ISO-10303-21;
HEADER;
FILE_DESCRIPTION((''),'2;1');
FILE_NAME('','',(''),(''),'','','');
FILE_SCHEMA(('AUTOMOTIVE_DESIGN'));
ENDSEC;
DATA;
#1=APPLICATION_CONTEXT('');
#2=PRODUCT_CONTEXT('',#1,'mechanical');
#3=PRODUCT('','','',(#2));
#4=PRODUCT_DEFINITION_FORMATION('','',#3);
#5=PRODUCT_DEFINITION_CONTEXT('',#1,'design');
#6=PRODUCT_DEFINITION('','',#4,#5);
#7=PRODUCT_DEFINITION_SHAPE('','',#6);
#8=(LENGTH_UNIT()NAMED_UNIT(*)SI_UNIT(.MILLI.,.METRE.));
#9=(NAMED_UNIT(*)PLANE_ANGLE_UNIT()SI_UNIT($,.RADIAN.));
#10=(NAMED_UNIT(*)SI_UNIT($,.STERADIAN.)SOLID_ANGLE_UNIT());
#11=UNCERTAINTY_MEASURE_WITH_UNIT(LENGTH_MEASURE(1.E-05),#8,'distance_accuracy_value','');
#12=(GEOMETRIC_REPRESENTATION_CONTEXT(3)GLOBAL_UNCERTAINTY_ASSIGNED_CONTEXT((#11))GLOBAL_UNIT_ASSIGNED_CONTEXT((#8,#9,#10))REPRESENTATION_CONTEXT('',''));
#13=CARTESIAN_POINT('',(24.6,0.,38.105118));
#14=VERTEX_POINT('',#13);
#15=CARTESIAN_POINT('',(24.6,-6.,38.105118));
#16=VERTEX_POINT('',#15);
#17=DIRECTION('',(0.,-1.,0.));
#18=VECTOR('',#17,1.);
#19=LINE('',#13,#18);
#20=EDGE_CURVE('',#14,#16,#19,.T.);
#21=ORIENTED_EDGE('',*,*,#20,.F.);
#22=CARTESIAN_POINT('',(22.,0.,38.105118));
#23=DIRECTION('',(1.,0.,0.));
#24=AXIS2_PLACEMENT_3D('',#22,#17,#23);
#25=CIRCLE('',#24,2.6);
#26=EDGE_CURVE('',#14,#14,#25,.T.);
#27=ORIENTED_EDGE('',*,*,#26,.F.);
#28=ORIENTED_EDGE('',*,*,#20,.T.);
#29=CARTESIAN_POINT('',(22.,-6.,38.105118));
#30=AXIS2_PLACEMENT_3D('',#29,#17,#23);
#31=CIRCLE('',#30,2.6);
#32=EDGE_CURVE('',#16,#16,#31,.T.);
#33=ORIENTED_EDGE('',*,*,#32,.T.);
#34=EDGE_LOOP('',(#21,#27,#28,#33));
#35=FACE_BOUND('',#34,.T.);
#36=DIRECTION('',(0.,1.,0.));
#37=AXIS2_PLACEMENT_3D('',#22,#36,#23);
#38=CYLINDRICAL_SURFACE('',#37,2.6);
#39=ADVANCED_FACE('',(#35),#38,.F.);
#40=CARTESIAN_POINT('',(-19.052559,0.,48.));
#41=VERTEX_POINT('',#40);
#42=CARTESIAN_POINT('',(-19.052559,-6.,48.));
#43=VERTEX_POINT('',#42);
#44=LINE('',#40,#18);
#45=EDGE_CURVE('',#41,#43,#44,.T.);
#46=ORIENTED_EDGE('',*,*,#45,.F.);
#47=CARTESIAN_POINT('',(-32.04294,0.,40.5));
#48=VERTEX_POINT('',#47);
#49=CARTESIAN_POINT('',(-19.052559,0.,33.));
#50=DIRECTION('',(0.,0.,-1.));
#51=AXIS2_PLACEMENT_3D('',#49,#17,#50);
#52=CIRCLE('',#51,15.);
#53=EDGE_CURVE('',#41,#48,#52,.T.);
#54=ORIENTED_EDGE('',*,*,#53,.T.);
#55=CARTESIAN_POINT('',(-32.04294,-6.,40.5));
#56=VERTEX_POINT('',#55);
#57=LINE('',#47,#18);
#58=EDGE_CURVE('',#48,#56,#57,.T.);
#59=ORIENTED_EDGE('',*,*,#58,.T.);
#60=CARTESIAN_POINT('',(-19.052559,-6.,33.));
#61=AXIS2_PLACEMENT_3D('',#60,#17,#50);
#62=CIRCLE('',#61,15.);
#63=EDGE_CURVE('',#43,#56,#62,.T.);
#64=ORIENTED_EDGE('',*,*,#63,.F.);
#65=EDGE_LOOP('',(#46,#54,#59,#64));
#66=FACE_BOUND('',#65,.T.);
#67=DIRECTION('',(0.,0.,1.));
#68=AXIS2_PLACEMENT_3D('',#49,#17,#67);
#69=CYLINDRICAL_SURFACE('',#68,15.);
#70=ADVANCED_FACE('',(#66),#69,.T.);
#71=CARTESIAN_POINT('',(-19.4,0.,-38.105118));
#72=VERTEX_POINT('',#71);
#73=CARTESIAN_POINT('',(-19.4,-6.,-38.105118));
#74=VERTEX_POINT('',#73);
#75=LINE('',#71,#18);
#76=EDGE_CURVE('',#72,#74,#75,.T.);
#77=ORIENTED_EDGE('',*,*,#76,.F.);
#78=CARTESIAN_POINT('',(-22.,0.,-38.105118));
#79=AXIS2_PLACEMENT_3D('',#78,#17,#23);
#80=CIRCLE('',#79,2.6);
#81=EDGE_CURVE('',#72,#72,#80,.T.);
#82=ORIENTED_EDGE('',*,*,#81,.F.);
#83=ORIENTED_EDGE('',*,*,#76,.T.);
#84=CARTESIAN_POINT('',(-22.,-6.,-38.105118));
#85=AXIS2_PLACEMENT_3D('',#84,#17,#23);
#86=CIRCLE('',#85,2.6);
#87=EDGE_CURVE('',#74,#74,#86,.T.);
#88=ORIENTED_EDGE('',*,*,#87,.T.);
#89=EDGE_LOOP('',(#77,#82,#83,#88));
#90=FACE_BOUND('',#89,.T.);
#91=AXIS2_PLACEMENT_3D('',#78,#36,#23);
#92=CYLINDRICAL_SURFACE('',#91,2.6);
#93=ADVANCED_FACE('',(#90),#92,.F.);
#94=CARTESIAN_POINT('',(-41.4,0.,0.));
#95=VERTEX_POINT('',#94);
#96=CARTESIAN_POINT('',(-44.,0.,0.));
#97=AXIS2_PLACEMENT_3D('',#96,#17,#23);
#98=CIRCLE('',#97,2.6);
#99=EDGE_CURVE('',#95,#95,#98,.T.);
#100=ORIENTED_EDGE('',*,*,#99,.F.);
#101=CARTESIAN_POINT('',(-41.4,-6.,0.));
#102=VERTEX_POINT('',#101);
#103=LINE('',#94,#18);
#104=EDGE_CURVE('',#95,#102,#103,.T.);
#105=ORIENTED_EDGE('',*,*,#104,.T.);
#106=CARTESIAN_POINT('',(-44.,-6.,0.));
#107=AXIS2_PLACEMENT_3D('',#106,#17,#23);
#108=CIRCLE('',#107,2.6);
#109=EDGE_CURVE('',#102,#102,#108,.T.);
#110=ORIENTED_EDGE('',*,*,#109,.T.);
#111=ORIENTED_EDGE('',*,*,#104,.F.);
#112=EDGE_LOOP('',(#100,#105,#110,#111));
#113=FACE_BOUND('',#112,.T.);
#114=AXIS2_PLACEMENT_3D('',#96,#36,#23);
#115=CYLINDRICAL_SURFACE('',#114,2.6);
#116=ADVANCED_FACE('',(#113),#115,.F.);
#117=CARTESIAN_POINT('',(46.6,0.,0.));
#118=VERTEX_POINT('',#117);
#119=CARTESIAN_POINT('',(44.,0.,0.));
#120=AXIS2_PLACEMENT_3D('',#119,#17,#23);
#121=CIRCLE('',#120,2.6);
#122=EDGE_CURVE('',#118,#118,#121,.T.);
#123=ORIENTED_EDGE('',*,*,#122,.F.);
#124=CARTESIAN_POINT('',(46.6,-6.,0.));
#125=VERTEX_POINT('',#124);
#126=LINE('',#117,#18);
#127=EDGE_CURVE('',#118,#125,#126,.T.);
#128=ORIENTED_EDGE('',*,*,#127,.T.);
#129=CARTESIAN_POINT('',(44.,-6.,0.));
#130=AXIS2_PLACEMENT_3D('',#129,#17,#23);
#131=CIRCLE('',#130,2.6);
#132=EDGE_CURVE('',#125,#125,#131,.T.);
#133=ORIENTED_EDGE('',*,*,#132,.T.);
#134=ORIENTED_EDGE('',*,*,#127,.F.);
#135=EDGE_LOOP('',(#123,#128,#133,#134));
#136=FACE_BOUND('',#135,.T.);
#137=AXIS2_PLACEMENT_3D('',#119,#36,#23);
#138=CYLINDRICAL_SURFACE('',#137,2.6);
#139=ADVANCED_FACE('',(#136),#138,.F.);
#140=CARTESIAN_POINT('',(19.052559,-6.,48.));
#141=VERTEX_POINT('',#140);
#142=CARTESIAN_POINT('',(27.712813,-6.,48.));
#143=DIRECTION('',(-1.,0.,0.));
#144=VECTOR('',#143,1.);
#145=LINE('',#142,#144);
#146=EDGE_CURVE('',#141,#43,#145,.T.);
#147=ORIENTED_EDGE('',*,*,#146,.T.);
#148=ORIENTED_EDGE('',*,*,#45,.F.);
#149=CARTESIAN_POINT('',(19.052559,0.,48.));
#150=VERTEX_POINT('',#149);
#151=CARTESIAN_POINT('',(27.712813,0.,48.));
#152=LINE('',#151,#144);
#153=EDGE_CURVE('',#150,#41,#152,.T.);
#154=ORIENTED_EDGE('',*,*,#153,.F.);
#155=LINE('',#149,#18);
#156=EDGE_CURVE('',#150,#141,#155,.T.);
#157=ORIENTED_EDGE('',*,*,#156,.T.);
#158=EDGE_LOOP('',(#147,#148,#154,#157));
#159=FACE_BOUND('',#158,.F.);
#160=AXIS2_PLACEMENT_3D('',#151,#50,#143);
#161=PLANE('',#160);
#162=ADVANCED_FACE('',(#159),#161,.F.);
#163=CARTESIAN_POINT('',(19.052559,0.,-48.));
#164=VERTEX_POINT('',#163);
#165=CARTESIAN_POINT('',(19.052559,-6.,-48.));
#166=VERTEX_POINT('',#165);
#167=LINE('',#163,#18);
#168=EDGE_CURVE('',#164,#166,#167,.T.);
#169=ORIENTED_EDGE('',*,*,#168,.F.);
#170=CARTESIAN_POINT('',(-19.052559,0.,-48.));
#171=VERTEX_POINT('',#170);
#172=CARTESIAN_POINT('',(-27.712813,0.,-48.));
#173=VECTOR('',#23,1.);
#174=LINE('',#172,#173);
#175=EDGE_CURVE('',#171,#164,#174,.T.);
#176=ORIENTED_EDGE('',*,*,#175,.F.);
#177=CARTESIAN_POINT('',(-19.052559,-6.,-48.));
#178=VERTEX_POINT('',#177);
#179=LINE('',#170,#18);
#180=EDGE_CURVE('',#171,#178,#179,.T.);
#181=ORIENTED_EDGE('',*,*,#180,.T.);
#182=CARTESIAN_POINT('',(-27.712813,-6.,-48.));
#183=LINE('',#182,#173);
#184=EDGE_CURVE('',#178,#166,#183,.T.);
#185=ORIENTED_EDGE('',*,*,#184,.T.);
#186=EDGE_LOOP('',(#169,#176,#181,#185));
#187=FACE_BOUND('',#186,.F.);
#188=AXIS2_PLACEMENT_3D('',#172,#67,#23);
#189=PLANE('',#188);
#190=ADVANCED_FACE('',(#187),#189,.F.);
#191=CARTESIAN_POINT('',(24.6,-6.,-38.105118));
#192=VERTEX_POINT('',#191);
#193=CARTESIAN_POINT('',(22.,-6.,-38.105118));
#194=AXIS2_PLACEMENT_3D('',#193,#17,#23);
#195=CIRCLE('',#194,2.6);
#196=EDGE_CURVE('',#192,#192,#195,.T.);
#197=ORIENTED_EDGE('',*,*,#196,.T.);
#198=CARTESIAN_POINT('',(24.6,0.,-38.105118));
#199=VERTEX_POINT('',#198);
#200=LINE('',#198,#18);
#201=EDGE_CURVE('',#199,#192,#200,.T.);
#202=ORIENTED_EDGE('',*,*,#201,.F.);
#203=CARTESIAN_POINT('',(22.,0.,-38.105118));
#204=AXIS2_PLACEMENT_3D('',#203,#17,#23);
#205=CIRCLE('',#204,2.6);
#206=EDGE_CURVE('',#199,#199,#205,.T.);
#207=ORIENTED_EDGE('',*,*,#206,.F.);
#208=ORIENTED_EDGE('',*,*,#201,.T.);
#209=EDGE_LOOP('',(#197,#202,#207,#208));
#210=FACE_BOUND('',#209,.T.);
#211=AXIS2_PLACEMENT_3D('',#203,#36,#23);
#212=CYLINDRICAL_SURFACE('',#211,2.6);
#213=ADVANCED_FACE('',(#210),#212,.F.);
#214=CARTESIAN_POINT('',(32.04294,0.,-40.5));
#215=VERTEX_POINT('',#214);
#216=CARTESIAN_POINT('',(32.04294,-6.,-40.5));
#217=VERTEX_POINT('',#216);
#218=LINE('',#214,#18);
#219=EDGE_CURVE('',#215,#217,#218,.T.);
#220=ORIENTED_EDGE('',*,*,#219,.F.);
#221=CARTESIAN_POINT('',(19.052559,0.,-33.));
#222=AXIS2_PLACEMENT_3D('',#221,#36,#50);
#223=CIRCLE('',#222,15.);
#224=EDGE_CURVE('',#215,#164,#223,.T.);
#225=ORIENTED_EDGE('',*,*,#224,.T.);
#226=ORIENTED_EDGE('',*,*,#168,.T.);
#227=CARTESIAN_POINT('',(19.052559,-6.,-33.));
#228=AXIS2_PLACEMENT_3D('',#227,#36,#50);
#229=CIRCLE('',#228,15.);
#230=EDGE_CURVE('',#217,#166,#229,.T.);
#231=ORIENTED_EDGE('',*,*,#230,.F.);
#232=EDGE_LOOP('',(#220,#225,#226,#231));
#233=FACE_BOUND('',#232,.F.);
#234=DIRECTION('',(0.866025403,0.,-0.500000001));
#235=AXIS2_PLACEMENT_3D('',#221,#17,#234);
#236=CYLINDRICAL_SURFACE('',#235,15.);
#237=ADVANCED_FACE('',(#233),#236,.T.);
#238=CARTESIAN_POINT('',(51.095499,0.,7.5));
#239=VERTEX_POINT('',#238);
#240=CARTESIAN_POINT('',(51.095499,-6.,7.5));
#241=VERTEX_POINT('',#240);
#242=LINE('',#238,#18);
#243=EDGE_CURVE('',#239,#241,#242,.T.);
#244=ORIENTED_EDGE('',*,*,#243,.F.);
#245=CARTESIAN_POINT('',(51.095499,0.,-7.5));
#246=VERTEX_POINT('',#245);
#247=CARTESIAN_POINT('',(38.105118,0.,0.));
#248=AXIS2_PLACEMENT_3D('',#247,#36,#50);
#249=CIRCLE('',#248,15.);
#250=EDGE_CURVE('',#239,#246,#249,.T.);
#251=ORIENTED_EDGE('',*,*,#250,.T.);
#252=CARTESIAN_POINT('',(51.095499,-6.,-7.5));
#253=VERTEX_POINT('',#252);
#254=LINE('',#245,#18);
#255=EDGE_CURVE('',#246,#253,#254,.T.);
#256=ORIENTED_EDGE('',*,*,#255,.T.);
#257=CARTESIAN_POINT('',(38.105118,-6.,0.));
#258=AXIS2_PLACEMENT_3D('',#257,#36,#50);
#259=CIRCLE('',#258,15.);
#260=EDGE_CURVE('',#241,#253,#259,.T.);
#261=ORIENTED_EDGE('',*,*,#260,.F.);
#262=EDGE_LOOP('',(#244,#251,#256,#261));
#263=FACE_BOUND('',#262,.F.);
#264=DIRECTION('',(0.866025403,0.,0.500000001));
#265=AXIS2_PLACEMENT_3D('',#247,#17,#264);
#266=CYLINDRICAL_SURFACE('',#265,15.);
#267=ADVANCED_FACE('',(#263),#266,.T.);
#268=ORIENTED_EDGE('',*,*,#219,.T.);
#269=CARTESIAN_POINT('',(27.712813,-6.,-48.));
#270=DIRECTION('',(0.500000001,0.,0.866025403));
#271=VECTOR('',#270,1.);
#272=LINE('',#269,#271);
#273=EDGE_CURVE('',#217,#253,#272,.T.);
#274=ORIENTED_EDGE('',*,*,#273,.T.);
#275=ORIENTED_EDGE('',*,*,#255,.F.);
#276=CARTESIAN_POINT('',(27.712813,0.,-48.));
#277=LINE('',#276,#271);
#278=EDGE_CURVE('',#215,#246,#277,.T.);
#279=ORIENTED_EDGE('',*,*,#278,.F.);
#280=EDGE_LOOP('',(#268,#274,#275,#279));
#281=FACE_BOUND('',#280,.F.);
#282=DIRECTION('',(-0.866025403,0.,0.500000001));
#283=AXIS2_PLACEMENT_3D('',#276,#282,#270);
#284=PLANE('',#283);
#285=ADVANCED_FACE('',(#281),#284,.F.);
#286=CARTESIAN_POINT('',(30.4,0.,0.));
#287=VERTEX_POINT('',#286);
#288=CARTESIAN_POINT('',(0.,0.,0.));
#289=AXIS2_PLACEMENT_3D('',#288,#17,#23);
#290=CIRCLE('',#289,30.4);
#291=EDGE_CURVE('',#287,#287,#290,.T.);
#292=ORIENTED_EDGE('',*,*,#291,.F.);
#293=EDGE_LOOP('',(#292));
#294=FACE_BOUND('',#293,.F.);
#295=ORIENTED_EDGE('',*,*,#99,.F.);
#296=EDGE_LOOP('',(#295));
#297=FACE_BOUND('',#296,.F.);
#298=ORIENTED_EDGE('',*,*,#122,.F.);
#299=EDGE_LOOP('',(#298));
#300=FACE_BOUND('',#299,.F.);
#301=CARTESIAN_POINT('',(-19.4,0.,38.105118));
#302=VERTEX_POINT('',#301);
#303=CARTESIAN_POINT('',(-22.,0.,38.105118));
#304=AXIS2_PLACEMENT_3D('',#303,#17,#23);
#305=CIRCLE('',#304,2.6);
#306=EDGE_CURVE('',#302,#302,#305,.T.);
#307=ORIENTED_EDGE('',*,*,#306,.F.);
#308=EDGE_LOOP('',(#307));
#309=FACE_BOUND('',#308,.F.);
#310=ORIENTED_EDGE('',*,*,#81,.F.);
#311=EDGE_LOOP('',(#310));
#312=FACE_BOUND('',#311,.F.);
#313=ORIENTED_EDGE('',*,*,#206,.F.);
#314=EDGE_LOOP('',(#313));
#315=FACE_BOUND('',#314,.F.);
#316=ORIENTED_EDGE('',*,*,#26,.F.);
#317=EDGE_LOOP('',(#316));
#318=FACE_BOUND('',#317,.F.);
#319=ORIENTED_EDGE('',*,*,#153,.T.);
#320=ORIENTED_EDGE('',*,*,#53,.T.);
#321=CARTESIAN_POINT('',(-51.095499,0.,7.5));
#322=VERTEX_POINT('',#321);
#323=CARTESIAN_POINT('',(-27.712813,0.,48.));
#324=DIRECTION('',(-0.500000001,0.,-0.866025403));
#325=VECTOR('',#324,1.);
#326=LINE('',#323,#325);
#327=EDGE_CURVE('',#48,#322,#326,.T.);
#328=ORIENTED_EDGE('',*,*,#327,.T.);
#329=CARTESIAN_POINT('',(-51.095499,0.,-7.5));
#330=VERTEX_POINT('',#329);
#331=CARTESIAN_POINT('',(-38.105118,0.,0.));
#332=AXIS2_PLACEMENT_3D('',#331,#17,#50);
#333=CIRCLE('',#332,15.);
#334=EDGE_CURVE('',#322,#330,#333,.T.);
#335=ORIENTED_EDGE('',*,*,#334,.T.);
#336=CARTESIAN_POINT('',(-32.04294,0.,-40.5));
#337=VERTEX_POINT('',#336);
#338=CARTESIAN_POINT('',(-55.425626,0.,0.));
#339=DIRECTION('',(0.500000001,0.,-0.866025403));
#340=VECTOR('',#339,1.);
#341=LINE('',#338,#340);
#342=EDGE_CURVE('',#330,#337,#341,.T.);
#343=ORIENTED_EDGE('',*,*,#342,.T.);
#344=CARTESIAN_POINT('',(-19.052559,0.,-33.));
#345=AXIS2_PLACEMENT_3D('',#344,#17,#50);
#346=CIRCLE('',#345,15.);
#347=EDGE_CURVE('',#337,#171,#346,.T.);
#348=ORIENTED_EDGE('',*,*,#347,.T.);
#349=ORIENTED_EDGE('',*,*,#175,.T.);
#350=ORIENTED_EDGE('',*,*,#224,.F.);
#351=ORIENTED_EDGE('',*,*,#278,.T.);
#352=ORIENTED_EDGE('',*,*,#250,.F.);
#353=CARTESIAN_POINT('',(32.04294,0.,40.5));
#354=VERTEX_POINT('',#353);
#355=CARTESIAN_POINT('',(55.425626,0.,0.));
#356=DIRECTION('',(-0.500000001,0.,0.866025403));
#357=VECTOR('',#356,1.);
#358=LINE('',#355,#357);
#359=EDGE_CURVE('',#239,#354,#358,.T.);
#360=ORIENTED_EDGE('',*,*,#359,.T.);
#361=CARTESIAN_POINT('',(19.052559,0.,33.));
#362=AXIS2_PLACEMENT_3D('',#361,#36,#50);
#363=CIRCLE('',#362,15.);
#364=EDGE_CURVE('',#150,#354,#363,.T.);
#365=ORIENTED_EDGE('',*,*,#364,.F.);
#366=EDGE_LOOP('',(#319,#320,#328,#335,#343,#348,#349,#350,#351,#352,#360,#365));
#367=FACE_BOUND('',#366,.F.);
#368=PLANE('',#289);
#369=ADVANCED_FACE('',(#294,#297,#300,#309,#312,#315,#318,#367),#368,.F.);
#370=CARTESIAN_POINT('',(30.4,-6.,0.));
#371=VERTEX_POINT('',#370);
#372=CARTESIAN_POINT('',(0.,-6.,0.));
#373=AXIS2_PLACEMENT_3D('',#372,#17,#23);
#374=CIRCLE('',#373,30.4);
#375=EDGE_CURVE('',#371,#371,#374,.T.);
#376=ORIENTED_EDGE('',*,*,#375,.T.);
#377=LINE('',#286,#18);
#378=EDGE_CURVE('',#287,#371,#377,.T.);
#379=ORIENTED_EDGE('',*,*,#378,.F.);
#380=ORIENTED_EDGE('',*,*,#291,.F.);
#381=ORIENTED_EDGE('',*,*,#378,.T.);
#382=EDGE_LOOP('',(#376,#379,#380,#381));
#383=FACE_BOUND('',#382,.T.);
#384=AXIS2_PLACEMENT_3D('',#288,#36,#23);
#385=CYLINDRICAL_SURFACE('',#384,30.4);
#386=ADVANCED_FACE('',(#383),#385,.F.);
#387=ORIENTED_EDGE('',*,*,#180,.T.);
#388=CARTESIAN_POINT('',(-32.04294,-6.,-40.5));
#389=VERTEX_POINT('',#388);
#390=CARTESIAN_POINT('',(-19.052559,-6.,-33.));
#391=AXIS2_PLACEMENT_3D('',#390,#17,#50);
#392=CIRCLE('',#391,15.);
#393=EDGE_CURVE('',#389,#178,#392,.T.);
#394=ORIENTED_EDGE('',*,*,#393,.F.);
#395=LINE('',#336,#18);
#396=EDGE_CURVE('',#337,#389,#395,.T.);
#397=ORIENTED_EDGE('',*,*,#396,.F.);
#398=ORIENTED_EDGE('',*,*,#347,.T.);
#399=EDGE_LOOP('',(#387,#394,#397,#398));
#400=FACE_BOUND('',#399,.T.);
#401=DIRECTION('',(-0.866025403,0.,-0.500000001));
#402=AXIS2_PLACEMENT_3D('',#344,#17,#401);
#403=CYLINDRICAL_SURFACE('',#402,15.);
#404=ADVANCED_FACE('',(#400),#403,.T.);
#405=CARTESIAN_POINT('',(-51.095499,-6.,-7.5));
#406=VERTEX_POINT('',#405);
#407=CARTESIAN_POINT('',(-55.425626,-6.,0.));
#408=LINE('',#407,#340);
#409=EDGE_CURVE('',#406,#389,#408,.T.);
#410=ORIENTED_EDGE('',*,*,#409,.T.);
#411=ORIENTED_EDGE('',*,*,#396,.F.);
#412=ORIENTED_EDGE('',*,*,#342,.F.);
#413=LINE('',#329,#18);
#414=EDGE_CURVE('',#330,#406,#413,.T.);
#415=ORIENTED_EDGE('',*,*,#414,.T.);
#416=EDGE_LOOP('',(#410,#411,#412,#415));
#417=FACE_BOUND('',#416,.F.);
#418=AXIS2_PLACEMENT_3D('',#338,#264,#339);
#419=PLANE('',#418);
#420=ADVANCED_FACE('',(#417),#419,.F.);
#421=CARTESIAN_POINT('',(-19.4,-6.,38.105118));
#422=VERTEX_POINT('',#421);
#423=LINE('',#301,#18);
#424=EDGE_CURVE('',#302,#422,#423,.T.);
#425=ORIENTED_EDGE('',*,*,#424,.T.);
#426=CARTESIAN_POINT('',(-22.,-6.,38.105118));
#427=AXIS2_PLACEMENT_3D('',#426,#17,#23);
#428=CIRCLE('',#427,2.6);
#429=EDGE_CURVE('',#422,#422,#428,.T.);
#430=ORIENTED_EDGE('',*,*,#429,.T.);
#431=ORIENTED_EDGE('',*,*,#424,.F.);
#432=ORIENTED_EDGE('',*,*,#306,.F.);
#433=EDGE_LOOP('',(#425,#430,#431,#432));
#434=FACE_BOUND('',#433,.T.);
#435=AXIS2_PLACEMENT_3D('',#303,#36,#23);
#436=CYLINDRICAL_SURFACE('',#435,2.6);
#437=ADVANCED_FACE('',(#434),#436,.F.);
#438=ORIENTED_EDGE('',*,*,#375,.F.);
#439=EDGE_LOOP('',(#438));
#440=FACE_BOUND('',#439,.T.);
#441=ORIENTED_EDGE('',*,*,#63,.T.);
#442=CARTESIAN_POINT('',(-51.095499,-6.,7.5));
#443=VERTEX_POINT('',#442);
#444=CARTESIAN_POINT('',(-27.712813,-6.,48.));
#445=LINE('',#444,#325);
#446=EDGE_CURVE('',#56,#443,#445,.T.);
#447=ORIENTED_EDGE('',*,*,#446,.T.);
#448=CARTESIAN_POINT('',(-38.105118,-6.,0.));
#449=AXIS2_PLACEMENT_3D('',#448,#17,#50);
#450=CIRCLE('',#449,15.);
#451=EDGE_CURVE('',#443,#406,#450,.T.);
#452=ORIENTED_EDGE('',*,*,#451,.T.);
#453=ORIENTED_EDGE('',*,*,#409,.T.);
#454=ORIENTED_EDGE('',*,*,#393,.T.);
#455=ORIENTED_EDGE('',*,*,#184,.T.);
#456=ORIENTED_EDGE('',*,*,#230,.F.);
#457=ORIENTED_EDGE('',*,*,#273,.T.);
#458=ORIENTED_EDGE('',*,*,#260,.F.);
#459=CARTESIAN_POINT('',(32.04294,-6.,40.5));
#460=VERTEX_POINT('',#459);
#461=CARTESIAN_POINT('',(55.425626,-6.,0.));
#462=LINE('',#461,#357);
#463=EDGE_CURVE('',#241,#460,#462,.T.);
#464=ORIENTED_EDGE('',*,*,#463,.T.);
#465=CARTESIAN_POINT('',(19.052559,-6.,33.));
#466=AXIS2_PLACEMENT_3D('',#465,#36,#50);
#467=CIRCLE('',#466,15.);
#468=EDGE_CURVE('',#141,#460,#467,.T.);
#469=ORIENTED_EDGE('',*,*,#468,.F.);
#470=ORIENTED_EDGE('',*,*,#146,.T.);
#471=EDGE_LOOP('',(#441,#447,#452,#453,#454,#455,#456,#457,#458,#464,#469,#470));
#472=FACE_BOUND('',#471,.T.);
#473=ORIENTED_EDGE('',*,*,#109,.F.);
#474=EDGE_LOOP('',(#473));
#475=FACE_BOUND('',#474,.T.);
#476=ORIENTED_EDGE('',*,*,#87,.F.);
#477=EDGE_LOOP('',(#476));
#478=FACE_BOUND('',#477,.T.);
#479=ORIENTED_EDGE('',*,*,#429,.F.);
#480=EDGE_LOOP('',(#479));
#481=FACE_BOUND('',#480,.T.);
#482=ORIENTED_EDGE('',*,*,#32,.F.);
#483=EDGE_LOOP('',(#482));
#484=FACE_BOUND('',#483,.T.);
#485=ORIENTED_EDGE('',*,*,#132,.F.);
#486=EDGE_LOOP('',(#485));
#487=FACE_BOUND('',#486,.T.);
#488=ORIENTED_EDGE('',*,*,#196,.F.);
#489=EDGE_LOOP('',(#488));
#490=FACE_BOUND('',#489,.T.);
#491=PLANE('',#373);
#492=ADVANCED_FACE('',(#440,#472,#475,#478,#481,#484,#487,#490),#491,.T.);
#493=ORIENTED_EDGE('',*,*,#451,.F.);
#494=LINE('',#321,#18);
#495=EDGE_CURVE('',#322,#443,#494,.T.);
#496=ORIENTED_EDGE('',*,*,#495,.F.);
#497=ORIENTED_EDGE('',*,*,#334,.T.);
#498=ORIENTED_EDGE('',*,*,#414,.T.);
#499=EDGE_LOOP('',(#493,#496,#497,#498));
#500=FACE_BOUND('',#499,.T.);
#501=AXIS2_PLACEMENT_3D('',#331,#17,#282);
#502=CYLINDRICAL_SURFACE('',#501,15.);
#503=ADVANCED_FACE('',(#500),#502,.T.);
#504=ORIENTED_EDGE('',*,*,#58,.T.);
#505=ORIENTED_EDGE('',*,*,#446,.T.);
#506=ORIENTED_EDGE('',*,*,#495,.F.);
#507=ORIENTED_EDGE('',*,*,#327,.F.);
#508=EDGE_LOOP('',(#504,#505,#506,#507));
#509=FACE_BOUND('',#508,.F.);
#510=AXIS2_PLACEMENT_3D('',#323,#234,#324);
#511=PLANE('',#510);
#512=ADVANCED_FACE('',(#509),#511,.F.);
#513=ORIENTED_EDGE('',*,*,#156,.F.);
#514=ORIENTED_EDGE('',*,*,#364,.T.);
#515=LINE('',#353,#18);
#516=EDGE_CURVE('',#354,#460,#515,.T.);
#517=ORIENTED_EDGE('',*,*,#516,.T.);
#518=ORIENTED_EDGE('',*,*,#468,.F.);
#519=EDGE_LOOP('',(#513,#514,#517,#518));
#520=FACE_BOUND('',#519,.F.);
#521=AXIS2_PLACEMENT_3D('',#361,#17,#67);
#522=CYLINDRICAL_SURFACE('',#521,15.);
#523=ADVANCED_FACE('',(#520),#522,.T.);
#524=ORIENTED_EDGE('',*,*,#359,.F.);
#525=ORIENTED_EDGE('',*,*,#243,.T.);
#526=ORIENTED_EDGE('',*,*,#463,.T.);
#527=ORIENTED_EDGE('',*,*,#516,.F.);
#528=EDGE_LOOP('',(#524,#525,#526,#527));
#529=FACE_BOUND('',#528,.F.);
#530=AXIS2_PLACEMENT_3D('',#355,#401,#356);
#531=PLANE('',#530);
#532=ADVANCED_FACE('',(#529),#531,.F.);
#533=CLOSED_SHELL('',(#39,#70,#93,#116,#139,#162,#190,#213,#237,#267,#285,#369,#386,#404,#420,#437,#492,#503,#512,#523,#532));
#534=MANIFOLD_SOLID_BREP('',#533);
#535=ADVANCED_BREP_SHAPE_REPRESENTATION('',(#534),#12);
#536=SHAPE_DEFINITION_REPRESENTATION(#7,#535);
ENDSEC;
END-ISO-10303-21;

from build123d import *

# Parameters (mm, degrees)
F0_R     = 2.6
F0_R_2   = 30.4
F1_DEPTH = 6
F2_R     = 15


with BuildPart() as f1:
    # F0 (on Front) → F1 (new body)
    with BuildSketch(Plane.XZ):
        Polygon((27.712813, 48), (-27.712813, 48), (-55.425626, 0), (-27.712813, -48), (27.712813, -48), (55.425626, 0), align=None)
        with Locations((-22, -38.105118)):
            Circle(F0_R, mode=Mode.SUBTRACT)
        with Locations((-44, 0)):
            Circle(F0_R, mode=Mode.SUBTRACT)
        Circle(F0_R_2, mode=Mode.SUBTRACT)
        with Locations((22, -38.105118)):
            Circle(F0_R, mode=Mode.SUBTRACT)
        with Locations((44, 0)):
            Circle(F0_R, mode=Mode.SUBTRACT)
        with Locations((-22, 38.105118)):
            Circle(F0_R, mode=Mode.SUBTRACT)
        with Locations((22, 38.105118)):
            Circle(F0_R, mode=Mode.SUBTRACT)
    extrude(amount=F1_DEPTH)

    # F2
    f2_edges = [f1.edges().sort_by_distance(p)[0] for p in [
        (-27.712813, -3, 48),
        (-55.425626, -3, 0),
        (-27.712813, -3, -48),
        (27.712813, -3, -48),
        (55.425626, -3, 0),
        (27.712813, -3, 48),
    ]]
    fillet(f2_edges, radius=F2_R)


solid = f1.part
